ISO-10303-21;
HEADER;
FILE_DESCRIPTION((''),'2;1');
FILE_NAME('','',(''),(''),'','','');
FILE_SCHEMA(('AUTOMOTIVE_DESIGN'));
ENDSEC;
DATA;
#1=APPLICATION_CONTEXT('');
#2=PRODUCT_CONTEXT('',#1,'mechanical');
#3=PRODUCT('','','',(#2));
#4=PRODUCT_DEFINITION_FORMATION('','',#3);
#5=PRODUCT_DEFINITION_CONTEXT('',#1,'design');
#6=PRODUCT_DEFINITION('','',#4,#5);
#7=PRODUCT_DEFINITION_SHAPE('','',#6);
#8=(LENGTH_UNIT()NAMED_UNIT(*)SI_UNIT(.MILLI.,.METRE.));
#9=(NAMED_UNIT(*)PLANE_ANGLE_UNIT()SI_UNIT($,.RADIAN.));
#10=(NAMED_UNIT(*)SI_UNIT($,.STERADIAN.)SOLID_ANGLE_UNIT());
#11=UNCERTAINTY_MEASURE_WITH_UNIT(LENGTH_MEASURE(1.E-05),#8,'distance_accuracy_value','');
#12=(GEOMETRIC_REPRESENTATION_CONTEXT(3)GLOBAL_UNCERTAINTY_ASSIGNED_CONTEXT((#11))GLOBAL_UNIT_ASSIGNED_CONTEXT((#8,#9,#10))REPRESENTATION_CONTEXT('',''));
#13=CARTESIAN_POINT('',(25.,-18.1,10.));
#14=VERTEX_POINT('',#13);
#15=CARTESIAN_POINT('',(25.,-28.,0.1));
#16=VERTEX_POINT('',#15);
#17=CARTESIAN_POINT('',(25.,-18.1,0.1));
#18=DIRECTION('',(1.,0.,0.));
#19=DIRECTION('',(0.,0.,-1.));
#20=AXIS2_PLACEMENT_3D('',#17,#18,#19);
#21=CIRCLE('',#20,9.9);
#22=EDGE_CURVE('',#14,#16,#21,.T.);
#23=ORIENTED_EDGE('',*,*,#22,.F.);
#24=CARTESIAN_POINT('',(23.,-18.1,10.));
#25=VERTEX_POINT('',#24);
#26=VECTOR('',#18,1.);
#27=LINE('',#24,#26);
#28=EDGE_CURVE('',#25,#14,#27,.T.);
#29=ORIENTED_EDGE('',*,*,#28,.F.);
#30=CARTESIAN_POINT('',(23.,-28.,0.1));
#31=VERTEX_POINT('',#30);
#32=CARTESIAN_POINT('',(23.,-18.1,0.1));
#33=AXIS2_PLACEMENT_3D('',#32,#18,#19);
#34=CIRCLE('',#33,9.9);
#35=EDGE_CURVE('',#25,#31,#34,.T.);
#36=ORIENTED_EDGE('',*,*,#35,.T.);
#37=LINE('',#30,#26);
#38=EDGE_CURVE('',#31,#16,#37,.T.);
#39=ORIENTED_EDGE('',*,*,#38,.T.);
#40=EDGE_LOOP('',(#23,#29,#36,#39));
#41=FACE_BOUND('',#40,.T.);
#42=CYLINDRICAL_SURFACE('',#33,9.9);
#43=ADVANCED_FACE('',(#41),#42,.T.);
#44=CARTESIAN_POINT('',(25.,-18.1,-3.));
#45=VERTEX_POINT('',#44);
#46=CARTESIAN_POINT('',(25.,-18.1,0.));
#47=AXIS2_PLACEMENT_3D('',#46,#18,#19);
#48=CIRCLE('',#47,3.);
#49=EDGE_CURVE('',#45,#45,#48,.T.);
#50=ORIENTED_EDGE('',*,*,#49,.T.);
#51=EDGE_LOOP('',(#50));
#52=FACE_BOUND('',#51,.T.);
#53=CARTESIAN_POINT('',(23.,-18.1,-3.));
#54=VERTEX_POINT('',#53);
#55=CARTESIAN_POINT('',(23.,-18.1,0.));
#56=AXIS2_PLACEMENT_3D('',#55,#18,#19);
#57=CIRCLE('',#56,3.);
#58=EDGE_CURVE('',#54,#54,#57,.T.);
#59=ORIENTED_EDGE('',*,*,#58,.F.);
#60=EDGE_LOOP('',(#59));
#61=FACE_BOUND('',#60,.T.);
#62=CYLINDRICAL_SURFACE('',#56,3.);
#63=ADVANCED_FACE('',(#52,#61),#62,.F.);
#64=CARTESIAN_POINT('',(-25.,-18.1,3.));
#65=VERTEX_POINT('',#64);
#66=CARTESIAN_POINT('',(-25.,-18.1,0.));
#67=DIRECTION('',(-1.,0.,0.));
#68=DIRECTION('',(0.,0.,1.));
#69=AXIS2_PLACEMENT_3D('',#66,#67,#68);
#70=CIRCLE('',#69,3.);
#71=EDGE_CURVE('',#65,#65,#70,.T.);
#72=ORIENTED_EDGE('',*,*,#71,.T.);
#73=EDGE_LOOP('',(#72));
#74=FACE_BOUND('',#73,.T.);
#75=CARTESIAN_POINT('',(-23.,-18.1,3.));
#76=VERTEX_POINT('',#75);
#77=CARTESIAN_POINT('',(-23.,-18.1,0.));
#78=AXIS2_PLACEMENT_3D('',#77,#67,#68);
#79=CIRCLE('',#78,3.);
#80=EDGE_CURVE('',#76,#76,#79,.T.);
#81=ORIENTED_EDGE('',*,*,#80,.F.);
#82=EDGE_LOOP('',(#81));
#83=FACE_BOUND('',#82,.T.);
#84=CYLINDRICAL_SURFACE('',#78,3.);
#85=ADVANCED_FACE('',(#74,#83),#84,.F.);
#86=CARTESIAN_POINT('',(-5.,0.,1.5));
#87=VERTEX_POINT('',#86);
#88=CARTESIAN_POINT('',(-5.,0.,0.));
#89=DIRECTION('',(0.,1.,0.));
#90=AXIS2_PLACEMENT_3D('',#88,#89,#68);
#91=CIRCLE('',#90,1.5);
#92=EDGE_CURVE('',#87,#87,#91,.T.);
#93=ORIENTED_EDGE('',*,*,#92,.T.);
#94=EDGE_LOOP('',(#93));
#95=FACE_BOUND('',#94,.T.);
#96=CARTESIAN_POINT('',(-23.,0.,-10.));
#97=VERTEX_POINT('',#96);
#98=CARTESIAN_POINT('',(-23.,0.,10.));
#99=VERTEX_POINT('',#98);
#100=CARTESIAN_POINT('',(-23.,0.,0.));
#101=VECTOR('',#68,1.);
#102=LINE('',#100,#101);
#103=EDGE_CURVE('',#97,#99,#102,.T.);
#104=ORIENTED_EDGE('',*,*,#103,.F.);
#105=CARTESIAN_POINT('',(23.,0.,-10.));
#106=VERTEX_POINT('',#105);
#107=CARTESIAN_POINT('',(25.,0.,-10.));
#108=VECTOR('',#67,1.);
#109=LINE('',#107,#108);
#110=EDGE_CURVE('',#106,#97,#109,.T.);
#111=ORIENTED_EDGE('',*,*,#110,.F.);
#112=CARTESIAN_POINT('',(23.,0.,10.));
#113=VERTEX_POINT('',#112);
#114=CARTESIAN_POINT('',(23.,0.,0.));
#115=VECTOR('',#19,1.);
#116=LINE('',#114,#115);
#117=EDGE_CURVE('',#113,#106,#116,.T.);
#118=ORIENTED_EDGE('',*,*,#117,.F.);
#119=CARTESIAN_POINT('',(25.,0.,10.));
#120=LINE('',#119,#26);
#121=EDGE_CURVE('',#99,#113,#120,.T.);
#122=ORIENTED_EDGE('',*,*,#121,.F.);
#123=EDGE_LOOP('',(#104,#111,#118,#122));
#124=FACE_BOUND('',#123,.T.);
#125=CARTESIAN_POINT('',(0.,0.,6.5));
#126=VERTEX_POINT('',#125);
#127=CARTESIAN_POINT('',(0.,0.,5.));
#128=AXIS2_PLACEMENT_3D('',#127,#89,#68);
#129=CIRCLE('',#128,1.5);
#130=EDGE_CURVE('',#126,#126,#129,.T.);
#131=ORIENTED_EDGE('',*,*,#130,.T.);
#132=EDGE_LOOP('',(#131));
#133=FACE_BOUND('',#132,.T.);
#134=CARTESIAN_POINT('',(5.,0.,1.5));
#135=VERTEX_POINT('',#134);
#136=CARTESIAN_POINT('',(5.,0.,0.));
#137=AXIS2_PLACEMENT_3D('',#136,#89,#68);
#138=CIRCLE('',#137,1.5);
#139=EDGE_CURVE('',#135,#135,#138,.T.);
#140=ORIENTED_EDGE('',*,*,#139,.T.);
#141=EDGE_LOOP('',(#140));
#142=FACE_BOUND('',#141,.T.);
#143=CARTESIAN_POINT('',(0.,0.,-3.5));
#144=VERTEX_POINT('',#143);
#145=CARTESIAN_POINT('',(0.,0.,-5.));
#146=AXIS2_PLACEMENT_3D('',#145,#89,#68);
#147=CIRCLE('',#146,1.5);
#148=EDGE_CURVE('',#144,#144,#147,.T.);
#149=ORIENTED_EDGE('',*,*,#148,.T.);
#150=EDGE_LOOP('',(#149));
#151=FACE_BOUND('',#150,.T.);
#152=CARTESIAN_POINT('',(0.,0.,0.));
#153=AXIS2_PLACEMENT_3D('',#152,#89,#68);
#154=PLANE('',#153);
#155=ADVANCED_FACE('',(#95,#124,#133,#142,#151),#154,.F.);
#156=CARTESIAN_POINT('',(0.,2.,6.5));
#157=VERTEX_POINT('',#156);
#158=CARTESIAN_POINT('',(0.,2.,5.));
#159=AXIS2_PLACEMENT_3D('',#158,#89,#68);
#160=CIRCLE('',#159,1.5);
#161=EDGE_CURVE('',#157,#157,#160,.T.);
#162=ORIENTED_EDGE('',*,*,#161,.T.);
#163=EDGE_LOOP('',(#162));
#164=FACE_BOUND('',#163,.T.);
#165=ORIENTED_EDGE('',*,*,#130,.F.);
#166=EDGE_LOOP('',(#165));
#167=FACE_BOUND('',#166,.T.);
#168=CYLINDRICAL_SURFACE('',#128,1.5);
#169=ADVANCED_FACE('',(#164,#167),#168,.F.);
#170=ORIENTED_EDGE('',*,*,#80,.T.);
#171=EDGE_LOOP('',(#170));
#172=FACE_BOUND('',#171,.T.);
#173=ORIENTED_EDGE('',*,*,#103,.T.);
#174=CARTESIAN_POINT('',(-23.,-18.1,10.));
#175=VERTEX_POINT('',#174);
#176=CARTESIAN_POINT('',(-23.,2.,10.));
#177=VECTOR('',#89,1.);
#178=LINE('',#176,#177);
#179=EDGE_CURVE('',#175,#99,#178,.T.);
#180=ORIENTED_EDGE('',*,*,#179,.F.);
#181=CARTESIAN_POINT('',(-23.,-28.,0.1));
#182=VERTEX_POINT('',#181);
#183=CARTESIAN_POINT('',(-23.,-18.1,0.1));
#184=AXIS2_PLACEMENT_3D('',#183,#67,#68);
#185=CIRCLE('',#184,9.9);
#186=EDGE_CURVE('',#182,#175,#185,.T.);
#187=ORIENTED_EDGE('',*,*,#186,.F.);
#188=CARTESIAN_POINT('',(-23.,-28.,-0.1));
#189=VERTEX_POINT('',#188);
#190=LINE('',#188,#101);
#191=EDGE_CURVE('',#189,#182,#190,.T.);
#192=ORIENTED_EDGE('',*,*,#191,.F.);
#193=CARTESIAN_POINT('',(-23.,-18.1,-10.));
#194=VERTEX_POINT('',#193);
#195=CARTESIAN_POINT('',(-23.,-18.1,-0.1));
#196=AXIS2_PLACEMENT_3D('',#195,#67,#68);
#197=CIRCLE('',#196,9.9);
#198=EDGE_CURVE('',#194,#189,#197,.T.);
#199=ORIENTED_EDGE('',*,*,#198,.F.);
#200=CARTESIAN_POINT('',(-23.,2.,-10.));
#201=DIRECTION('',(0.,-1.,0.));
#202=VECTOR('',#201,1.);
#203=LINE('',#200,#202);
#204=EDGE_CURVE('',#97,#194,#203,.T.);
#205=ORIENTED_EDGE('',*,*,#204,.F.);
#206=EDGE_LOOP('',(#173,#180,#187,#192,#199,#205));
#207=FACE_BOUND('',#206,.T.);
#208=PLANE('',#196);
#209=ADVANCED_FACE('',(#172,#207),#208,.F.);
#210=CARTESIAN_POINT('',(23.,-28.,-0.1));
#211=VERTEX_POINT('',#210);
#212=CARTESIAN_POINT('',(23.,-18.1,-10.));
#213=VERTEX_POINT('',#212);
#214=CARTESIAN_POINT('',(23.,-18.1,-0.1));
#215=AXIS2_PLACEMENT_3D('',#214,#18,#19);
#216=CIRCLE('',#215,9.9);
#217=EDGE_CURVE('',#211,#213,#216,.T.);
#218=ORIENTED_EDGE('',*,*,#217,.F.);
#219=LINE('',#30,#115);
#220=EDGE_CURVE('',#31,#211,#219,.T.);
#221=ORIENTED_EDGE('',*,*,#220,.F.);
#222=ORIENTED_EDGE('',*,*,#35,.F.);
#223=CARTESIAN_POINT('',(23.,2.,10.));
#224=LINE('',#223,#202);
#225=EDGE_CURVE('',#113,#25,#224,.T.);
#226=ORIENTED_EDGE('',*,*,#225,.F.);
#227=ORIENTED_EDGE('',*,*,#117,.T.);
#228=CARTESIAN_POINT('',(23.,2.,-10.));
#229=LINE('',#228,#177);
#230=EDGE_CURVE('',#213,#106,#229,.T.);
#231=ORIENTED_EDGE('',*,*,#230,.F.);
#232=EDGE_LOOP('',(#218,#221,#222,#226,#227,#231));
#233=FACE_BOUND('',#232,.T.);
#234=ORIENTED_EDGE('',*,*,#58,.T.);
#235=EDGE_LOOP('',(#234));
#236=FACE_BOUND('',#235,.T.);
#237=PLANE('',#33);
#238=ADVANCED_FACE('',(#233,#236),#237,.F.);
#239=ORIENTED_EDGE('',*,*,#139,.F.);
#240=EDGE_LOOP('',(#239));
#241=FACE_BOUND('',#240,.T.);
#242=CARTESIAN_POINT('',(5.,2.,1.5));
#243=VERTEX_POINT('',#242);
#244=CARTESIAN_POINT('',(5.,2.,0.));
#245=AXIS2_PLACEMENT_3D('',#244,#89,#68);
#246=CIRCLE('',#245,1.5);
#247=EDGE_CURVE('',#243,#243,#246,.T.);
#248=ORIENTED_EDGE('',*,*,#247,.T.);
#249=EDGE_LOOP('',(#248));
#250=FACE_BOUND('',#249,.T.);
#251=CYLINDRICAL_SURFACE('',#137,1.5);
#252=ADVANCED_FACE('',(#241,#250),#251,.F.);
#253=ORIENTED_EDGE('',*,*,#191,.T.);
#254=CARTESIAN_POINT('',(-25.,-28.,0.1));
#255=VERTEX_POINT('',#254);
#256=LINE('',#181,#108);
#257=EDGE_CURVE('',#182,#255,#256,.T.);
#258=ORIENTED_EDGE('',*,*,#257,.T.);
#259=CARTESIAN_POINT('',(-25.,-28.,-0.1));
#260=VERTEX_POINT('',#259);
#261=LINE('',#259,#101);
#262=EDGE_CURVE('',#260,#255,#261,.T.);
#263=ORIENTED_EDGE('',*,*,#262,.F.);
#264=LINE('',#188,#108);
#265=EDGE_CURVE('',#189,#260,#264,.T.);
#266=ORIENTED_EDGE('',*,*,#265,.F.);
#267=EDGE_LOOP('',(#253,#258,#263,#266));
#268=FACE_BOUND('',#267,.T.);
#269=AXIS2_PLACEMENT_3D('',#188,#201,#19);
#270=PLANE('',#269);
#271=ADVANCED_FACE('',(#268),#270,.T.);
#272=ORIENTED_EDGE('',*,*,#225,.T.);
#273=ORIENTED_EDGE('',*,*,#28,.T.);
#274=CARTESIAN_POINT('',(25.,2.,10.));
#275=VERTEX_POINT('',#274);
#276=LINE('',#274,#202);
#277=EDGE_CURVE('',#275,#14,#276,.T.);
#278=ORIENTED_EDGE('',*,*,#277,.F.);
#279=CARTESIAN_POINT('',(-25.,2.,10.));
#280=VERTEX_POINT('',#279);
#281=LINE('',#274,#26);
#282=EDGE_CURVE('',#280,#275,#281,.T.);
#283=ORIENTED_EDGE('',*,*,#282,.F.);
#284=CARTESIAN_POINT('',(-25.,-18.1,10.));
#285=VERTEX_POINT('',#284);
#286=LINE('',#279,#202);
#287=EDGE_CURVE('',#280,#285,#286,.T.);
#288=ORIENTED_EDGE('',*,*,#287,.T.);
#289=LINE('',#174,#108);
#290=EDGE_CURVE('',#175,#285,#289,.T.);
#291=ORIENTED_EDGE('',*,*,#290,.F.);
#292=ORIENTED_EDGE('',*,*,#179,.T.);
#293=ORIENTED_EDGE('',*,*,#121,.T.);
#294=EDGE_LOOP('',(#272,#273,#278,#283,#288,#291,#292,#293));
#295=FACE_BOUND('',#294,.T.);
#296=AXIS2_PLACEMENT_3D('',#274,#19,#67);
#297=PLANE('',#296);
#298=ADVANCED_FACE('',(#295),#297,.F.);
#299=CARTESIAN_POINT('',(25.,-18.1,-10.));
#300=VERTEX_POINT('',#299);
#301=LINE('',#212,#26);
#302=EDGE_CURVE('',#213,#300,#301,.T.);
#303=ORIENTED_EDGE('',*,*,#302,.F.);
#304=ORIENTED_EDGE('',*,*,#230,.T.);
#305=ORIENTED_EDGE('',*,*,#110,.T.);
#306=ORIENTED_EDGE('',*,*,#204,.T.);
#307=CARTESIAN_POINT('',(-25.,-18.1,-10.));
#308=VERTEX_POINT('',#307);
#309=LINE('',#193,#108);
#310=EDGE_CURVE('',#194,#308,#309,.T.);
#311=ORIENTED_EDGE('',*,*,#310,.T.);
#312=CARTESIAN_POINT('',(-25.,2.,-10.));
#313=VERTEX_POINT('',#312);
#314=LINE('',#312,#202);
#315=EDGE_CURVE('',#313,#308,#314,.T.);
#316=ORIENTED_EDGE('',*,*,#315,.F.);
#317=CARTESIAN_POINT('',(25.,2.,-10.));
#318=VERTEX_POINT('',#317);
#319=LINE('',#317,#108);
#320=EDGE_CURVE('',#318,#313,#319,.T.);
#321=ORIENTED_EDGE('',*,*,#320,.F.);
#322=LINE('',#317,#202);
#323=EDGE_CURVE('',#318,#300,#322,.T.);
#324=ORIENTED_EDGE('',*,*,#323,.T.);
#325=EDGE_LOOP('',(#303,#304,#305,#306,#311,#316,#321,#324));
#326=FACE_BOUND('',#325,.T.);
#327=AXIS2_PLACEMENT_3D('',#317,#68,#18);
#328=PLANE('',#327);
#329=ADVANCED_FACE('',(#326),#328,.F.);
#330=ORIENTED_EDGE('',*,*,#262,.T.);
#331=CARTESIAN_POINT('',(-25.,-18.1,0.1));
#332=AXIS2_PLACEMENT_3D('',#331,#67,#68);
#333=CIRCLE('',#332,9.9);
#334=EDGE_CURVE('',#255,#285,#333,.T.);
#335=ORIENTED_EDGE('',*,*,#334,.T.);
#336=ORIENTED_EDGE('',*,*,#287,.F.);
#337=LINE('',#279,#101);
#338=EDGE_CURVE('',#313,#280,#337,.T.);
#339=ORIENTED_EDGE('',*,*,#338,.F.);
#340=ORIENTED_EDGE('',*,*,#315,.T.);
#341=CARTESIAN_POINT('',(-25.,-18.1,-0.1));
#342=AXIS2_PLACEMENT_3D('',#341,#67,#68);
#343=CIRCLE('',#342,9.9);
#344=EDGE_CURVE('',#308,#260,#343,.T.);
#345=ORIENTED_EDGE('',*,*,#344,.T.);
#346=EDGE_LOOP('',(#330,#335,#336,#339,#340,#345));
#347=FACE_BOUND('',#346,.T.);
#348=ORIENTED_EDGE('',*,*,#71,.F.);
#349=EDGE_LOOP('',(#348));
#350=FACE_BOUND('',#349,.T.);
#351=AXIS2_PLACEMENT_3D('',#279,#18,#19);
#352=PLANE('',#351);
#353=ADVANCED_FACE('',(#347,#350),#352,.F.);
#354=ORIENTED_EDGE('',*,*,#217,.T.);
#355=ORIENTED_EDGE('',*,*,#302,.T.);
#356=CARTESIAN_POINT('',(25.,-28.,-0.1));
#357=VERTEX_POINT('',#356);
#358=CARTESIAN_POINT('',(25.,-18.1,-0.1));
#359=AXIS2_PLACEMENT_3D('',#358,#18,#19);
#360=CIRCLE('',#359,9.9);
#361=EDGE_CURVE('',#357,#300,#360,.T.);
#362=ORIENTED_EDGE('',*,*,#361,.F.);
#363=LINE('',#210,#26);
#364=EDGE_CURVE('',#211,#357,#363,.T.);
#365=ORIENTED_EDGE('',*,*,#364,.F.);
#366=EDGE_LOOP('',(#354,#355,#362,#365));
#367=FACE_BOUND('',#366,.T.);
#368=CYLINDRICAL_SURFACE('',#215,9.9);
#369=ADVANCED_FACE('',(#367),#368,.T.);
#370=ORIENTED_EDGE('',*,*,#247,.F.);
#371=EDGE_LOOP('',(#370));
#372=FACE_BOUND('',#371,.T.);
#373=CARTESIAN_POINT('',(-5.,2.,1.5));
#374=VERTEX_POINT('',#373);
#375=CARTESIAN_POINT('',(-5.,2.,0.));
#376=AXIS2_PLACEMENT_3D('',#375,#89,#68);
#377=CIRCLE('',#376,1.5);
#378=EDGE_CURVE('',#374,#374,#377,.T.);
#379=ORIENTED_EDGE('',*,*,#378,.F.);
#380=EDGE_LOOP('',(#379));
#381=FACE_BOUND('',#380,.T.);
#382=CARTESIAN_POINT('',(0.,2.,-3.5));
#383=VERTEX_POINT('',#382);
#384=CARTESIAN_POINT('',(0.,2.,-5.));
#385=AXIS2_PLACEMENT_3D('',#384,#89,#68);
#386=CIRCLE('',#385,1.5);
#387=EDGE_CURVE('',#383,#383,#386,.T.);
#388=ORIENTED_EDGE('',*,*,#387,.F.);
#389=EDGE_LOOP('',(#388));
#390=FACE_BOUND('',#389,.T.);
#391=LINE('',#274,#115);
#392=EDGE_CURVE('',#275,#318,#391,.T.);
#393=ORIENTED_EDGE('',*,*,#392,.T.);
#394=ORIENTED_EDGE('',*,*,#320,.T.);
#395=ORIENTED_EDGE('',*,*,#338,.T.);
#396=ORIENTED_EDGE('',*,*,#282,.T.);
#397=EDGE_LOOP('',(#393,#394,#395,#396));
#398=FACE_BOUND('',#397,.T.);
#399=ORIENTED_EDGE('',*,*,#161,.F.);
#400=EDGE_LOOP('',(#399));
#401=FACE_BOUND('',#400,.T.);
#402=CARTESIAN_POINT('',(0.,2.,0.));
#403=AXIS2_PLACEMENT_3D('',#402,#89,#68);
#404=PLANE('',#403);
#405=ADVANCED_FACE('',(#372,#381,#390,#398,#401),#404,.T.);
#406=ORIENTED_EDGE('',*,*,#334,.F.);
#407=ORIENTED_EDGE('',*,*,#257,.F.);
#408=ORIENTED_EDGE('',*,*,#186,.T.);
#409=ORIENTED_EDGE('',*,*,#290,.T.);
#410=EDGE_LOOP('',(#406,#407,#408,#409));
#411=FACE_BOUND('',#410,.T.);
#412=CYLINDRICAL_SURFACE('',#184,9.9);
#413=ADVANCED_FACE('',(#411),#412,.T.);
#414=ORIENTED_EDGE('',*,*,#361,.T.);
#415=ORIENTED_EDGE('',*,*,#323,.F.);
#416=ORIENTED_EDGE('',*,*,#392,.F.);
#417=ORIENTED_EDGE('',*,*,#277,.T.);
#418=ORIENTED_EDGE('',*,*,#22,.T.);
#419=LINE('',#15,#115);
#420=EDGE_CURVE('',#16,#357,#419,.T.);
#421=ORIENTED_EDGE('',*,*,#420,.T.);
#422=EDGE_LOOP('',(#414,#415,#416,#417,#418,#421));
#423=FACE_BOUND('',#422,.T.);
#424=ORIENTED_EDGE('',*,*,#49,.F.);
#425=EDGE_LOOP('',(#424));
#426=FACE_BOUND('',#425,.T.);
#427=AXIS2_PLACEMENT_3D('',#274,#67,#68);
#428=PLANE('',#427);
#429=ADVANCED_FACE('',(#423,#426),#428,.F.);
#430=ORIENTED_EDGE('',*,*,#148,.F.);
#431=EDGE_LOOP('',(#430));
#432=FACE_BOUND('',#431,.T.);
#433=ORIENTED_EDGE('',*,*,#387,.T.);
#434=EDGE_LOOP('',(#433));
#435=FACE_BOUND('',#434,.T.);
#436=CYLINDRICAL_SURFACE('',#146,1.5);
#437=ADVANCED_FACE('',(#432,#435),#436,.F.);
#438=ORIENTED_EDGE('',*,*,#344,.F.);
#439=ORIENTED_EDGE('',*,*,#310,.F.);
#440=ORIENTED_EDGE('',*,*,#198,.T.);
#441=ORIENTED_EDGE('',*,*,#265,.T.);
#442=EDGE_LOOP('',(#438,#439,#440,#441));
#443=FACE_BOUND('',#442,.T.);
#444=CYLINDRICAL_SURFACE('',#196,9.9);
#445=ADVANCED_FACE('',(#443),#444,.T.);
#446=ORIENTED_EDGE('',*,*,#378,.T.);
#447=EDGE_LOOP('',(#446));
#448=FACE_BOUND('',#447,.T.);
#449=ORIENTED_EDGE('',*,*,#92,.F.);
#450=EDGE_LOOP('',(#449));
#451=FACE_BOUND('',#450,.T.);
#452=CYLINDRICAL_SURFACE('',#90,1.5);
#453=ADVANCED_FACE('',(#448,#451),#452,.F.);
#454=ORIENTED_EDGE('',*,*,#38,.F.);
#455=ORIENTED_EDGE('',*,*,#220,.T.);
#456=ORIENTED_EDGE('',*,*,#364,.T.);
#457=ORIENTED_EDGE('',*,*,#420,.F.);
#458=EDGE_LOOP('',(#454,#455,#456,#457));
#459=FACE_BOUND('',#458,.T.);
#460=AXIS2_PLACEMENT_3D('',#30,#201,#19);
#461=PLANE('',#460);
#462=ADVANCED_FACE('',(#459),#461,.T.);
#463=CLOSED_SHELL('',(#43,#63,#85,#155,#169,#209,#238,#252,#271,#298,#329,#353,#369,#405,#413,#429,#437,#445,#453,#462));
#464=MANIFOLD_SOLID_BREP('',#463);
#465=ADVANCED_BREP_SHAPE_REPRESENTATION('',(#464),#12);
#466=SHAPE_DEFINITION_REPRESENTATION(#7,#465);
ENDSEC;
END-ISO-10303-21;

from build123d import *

# Parameters (mm, degrees)
SKETCH_1_W          = 50
SKETCH_1_H          = 20
EXTRUDE_1_DEPTH     = 2
SKETCH_2_R          = 3
EXTRUDE_2_DEPTH     = 2
EXTRUDE_START       = -2
SKETCH_3_R          = 3
EXTRUDE_3_DEPTH     = 2
SKETCH_4_R          = 1.5
CUT_EXTRUDE_1_DEPTH = 2


with BuildPart() as part:
    # 草图1 → 凸台-拉伸1 (new body)
    with BuildSketch(Plane(origin=(0, 0, 0), x_dir=(1, 0, 0), z_dir=(0, 1, 0))):
        Rectangle(SKETCH_1_W, SKETCH_1_H)
    extrude(amount=EXTRUDE_1_DEPTH)

    # 草图2 → 凸台-拉伸2 (add)
    with BuildSketch(Plane.ZY.offset(25)):
        with BuildLine():
            Line((-10, 2), (10, 2))
            Line((10, 2), (10, -18.1))
            ThreePointArc((10, -18.1), (7.100357134, -25.100357134), (0.1, -28))
            Line((0.1, -28), (-0.1, -28))
            ThreePointArc((-0.1, -28), (-7.100357134, -25.100357134), (-10, -18.1))
            Line((-10, -18.1), (-10, 2))
        make_face()
        with Locations((0, -18.1)):
            Circle(SKETCH_2_R, mode=Mode.SUBTRACT)
    extrude(amount=-EXTRUDE_2_DEPTH)

    # 草图3 → 凸台-拉伸3 (add)
    with BuildSketch(Plane(origin=(25, 0, 0), x_dir=(0, 0, -1), z_dir=(1, 0, 0)).offset(EXTRUDE_START)):
        with BuildLine():
            Line((-10, 2), (10, 2))
            Line((10, 2), (10, -18.1))
            ThreePointArc((10, -18.1), (7.100357134, -25.100357134), (0.1, -28))
            Line((0.1, -28), (-0.1, -28))
            ThreePointArc((-0.1, -28), (-7.100357134, -25.100357134), (-10, -18.1))
            Line((-10, -18.1), (-10, 2))
        make_face()
        with Locations(Location((0, -18.1, 0), (0, 0, 180))):
            Circle(SKETCH_3_R, mode=Mode.SUBTRACT)
    extrude(amount=EXTRUDE_3_DEPTH)

    # 草图4 → 切除-拉伸1 (cut)
    with BuildSketch(Plane(origin=(0, 2, 0), x_dir=(1, 0, 0), z_dir=(0, 1, 0))):
        with Locations(Location((0, 5, 0), (0, 0, 270))):
            Circle(SKETCH_4_R)
        with Locations(Location((5, 0, 0), (0, 0, 270))):
            Circle(SKETCH_4_R)
        with Locations(Location((0, -5, 0), (0, 0, 270))):
            Circle(SKETCH_4_R)
        with Locations(Location((-5, 0, 0), (0, 0, 270))):
            Circle(SKETCH_4_R)
    extrude(amount=-CUT_EXTRUDE_1_DEPTH, mode=Mode.SUBTRACT)


solid = part.part
